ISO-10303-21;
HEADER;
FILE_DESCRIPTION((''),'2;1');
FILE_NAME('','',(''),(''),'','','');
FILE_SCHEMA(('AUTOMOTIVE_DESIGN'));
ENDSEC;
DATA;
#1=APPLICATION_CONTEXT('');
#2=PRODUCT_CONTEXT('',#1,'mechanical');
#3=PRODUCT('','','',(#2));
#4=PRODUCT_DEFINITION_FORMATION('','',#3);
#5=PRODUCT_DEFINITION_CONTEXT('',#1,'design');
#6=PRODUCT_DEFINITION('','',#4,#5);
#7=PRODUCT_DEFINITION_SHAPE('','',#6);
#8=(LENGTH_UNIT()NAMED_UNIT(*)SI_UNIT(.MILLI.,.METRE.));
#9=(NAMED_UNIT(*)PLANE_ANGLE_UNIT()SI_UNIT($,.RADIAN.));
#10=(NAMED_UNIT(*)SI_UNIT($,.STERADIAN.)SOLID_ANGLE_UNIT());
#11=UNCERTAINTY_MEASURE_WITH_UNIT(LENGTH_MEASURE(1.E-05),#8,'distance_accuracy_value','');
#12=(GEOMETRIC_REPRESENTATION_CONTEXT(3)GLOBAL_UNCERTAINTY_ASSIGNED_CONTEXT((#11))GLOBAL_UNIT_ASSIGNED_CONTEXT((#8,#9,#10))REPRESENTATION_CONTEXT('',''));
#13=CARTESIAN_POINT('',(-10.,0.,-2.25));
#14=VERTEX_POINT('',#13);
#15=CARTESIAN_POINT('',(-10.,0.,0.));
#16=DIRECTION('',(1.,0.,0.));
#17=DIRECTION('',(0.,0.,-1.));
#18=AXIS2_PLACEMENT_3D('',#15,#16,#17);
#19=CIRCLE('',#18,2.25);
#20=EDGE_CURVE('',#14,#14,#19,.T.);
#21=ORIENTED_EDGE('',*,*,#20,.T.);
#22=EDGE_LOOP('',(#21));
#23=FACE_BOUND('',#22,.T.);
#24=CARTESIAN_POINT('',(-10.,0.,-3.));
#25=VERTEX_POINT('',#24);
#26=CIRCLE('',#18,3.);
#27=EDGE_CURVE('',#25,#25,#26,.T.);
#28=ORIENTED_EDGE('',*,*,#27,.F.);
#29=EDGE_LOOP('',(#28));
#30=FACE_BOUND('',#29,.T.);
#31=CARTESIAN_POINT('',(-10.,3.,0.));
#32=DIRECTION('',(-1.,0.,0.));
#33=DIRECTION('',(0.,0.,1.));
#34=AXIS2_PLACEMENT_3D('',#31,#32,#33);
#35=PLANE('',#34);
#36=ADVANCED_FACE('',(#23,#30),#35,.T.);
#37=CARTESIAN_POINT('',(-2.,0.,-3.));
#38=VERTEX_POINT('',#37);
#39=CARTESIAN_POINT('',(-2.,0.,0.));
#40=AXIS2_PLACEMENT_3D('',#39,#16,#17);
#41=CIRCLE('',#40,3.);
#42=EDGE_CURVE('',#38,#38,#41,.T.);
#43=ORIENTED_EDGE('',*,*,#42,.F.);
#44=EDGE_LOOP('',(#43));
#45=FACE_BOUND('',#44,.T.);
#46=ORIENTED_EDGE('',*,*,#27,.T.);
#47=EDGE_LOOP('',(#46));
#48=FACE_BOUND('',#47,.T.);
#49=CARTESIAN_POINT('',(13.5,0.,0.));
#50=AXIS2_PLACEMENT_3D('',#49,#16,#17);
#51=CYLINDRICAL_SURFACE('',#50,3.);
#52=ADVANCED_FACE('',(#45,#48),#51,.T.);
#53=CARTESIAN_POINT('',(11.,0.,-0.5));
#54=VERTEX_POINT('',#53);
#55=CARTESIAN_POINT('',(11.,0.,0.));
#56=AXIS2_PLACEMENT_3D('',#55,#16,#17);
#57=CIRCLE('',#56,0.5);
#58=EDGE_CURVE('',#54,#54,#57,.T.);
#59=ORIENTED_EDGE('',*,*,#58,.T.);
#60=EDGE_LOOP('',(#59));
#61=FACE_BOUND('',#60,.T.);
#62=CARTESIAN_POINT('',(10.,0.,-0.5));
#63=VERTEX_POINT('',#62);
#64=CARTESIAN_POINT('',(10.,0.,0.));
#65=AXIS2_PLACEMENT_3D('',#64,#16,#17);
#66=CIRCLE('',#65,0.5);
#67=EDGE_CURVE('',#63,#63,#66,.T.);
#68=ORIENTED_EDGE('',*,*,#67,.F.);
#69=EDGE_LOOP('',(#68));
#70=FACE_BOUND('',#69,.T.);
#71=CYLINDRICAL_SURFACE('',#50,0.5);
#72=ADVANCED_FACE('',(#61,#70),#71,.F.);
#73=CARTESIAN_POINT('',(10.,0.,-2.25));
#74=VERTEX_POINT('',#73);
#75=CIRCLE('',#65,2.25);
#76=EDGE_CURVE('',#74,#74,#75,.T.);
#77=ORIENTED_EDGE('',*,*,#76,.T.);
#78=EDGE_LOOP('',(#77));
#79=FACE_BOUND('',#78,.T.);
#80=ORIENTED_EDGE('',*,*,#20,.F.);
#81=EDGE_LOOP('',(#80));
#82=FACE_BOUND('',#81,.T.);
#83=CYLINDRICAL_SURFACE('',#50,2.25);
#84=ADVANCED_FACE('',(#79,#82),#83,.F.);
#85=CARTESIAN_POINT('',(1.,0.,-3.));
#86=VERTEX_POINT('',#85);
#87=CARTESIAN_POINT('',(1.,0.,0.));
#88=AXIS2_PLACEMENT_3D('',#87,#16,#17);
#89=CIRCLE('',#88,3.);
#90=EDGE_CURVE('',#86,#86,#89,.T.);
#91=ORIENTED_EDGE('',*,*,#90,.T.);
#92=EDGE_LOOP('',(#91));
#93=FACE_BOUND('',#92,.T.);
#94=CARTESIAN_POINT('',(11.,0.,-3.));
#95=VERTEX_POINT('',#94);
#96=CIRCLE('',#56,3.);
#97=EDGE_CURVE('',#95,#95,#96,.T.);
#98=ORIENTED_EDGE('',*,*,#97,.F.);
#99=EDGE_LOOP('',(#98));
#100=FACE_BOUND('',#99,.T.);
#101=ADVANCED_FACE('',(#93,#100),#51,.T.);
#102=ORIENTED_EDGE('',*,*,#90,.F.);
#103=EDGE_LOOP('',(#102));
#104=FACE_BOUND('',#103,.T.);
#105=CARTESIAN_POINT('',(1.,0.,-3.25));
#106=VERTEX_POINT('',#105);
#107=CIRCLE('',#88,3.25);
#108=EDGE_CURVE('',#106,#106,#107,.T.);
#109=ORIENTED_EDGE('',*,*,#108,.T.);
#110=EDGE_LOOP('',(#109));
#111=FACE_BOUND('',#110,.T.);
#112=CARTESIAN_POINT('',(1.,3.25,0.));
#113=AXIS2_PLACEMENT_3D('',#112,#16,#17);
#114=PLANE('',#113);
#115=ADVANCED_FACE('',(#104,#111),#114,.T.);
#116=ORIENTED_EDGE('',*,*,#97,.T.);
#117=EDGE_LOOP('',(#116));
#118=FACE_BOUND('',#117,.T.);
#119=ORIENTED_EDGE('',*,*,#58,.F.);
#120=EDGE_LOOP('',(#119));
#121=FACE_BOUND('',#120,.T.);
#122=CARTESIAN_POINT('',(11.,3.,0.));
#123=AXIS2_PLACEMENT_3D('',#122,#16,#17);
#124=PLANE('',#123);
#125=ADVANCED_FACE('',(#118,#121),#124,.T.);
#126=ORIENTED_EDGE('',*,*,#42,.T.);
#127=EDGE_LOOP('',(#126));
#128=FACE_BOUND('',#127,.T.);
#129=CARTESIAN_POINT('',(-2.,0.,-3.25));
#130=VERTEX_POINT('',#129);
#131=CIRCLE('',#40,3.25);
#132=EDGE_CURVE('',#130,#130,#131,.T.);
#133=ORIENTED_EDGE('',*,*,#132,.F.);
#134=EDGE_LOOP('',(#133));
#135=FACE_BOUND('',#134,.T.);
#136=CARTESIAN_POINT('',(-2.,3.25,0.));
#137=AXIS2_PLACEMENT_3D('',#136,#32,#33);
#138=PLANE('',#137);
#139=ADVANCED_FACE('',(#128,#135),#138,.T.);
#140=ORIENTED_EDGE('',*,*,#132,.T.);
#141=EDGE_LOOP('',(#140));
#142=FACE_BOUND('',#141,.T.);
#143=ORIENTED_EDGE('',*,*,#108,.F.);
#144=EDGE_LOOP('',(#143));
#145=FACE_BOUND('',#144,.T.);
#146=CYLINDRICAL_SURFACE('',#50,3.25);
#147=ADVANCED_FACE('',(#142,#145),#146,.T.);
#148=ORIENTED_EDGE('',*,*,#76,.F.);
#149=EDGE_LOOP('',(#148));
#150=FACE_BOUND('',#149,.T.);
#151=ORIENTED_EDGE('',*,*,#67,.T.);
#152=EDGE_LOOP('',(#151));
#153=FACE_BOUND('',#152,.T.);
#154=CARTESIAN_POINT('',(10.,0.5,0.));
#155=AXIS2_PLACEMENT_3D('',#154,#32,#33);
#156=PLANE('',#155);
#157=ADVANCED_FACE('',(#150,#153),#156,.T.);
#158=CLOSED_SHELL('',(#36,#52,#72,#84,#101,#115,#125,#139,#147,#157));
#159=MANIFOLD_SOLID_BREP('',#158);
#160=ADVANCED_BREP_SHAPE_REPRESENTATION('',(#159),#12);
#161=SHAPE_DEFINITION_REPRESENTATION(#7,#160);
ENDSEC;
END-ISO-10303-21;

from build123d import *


with BuildPart() as part:
    # Sketch1 → Revolve1 (revolve)
    with BuildSketch(Plane.XY):
        Polygon((10, 0.5), (11, 0.5), (11, 3), (1, 3), (1, 3.25), (-2, 3.25), (-2, 3), (-10, 3), (-10, 2.25), (10, 2.25), align=None)
    revolve(axis=Axis((13.5, 0, 0), (-1, 0, 0)))


solid = part.part
